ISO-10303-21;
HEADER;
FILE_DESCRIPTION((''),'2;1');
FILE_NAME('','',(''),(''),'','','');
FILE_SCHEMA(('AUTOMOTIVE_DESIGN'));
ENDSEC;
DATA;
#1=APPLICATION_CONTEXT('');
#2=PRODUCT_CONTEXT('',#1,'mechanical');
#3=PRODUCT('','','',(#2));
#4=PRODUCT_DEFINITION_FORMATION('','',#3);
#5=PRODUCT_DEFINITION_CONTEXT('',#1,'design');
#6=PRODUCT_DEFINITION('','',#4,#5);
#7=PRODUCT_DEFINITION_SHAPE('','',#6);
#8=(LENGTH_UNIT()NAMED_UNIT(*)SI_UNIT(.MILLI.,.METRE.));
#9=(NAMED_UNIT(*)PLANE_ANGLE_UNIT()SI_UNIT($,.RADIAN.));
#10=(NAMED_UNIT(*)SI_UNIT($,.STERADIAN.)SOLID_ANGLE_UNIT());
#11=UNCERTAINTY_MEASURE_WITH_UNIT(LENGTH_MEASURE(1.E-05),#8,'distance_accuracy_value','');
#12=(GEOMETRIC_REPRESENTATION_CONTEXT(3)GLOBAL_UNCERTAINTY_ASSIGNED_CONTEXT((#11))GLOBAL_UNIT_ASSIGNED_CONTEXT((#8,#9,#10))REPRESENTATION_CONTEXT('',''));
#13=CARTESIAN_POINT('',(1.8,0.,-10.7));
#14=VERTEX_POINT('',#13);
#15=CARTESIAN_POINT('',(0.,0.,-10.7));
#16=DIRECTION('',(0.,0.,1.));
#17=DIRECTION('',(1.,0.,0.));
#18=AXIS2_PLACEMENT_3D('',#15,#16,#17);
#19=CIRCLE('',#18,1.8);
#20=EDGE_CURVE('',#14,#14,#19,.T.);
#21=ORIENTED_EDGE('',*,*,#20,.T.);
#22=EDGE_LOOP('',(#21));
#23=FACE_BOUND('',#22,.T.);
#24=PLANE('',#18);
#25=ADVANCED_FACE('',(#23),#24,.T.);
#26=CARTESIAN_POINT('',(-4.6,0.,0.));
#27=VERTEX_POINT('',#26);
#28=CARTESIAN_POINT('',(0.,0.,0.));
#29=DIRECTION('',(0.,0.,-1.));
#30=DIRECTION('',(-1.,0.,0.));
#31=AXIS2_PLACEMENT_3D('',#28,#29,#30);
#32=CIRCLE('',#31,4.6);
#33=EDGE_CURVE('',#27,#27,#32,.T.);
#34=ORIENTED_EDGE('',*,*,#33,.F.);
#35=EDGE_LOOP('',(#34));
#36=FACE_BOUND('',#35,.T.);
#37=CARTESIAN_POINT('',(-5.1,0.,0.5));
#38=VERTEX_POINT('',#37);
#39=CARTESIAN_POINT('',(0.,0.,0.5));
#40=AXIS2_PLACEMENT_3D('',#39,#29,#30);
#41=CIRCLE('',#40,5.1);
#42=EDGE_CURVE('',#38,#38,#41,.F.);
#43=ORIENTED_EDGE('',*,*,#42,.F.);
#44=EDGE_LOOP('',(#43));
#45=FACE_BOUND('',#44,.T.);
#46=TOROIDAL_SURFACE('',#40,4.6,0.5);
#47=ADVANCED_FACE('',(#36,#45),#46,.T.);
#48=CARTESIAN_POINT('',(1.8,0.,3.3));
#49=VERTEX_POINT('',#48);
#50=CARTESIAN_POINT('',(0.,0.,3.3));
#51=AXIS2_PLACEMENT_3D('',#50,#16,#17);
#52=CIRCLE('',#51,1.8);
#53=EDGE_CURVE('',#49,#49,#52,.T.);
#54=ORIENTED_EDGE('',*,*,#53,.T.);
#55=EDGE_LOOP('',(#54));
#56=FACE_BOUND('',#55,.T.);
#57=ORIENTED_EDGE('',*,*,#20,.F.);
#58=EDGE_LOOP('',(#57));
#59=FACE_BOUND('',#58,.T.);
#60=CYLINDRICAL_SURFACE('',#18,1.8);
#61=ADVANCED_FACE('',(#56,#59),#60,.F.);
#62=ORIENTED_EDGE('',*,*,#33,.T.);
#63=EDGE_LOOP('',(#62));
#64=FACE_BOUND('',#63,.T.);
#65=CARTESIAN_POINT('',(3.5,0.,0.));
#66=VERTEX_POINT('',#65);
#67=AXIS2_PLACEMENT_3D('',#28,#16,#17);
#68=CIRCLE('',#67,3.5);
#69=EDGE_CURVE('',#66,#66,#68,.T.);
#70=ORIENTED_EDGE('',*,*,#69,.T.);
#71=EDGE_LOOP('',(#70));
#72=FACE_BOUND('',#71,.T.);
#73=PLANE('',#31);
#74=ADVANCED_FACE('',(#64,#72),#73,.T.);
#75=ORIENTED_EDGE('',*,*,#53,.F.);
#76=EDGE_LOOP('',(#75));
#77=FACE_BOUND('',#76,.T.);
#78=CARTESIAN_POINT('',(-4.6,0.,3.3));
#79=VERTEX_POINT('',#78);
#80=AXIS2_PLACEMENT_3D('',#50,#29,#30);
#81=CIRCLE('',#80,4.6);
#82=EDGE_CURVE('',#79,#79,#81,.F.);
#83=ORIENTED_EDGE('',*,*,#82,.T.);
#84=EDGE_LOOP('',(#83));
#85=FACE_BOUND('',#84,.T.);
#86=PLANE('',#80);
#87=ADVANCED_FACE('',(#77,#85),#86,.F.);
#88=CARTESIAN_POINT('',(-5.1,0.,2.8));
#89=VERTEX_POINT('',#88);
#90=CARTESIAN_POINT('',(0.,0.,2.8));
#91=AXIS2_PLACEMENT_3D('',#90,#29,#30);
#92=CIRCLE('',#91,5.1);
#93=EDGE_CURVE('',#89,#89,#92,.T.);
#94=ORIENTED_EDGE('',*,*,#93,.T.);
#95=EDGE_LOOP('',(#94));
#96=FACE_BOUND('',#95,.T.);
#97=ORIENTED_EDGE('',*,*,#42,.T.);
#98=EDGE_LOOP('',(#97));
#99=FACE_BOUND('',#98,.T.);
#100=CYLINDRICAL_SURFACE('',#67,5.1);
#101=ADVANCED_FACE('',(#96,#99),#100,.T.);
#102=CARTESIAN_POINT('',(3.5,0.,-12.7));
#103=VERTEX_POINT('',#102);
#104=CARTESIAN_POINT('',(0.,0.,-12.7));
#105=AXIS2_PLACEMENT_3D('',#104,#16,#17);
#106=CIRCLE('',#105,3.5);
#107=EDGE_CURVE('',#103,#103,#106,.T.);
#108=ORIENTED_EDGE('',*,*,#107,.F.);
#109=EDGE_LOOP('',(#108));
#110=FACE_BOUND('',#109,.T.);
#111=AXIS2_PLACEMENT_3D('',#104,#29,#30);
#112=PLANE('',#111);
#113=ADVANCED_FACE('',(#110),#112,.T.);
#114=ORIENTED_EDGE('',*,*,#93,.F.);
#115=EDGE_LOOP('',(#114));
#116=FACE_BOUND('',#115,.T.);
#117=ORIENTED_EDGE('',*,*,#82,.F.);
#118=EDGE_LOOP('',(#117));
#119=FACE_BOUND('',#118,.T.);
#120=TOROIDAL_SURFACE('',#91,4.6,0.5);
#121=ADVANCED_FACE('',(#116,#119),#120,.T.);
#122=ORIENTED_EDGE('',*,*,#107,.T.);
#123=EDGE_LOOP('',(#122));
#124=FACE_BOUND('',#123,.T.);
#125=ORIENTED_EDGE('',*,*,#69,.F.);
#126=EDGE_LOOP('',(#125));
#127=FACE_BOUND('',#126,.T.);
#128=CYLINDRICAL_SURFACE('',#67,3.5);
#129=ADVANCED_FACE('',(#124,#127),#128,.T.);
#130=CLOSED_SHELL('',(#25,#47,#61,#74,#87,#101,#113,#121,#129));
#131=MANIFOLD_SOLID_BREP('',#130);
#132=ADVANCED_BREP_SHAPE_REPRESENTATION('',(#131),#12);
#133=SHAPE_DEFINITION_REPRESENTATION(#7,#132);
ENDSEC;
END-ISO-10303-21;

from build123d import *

# Parameters (mm, degrees)
FILLET1_R          = 0.5
SKETCH2_R          = 1.8
CUT_EXTRUDE1_DEPTH = 14


with BuildPart() as part:
    # Sketch1 → Revolve3 (revolve)
    with BuildSketch(Plane(origin=(0, 0, 0), x_dir=(0, 0, -1), z_dir=(1, 0, 0))):
        Polygon((0, 5.1), (-3.3, 5.1), (-3.3, 0), (12.7, 0), (12.7, 3.5), (0, 3.5), align=None)
    revolve(axis=Axis((0, 0, 0), (0, 0, -1)))

    # Fillet1
    fillet1_edges = [part.edges().sort_by_distance(p)[0] for p in [
        (0, -5.1, 3.3),
        (0, -5.1, 0),
    ]]
    fillet(fillet1_edges, radius=FILLET1_R)

    # Sketch2 → Cut-Extrude1 (cut)
    with BuildSketch(Plane.XY.offset(3.3)):
        Circle(SKETCH2_R)
    extrude(amount=-CUT_EXTRUDE1_DEPTH, mode=Mode.SUBTRACT)


solid = part.part
